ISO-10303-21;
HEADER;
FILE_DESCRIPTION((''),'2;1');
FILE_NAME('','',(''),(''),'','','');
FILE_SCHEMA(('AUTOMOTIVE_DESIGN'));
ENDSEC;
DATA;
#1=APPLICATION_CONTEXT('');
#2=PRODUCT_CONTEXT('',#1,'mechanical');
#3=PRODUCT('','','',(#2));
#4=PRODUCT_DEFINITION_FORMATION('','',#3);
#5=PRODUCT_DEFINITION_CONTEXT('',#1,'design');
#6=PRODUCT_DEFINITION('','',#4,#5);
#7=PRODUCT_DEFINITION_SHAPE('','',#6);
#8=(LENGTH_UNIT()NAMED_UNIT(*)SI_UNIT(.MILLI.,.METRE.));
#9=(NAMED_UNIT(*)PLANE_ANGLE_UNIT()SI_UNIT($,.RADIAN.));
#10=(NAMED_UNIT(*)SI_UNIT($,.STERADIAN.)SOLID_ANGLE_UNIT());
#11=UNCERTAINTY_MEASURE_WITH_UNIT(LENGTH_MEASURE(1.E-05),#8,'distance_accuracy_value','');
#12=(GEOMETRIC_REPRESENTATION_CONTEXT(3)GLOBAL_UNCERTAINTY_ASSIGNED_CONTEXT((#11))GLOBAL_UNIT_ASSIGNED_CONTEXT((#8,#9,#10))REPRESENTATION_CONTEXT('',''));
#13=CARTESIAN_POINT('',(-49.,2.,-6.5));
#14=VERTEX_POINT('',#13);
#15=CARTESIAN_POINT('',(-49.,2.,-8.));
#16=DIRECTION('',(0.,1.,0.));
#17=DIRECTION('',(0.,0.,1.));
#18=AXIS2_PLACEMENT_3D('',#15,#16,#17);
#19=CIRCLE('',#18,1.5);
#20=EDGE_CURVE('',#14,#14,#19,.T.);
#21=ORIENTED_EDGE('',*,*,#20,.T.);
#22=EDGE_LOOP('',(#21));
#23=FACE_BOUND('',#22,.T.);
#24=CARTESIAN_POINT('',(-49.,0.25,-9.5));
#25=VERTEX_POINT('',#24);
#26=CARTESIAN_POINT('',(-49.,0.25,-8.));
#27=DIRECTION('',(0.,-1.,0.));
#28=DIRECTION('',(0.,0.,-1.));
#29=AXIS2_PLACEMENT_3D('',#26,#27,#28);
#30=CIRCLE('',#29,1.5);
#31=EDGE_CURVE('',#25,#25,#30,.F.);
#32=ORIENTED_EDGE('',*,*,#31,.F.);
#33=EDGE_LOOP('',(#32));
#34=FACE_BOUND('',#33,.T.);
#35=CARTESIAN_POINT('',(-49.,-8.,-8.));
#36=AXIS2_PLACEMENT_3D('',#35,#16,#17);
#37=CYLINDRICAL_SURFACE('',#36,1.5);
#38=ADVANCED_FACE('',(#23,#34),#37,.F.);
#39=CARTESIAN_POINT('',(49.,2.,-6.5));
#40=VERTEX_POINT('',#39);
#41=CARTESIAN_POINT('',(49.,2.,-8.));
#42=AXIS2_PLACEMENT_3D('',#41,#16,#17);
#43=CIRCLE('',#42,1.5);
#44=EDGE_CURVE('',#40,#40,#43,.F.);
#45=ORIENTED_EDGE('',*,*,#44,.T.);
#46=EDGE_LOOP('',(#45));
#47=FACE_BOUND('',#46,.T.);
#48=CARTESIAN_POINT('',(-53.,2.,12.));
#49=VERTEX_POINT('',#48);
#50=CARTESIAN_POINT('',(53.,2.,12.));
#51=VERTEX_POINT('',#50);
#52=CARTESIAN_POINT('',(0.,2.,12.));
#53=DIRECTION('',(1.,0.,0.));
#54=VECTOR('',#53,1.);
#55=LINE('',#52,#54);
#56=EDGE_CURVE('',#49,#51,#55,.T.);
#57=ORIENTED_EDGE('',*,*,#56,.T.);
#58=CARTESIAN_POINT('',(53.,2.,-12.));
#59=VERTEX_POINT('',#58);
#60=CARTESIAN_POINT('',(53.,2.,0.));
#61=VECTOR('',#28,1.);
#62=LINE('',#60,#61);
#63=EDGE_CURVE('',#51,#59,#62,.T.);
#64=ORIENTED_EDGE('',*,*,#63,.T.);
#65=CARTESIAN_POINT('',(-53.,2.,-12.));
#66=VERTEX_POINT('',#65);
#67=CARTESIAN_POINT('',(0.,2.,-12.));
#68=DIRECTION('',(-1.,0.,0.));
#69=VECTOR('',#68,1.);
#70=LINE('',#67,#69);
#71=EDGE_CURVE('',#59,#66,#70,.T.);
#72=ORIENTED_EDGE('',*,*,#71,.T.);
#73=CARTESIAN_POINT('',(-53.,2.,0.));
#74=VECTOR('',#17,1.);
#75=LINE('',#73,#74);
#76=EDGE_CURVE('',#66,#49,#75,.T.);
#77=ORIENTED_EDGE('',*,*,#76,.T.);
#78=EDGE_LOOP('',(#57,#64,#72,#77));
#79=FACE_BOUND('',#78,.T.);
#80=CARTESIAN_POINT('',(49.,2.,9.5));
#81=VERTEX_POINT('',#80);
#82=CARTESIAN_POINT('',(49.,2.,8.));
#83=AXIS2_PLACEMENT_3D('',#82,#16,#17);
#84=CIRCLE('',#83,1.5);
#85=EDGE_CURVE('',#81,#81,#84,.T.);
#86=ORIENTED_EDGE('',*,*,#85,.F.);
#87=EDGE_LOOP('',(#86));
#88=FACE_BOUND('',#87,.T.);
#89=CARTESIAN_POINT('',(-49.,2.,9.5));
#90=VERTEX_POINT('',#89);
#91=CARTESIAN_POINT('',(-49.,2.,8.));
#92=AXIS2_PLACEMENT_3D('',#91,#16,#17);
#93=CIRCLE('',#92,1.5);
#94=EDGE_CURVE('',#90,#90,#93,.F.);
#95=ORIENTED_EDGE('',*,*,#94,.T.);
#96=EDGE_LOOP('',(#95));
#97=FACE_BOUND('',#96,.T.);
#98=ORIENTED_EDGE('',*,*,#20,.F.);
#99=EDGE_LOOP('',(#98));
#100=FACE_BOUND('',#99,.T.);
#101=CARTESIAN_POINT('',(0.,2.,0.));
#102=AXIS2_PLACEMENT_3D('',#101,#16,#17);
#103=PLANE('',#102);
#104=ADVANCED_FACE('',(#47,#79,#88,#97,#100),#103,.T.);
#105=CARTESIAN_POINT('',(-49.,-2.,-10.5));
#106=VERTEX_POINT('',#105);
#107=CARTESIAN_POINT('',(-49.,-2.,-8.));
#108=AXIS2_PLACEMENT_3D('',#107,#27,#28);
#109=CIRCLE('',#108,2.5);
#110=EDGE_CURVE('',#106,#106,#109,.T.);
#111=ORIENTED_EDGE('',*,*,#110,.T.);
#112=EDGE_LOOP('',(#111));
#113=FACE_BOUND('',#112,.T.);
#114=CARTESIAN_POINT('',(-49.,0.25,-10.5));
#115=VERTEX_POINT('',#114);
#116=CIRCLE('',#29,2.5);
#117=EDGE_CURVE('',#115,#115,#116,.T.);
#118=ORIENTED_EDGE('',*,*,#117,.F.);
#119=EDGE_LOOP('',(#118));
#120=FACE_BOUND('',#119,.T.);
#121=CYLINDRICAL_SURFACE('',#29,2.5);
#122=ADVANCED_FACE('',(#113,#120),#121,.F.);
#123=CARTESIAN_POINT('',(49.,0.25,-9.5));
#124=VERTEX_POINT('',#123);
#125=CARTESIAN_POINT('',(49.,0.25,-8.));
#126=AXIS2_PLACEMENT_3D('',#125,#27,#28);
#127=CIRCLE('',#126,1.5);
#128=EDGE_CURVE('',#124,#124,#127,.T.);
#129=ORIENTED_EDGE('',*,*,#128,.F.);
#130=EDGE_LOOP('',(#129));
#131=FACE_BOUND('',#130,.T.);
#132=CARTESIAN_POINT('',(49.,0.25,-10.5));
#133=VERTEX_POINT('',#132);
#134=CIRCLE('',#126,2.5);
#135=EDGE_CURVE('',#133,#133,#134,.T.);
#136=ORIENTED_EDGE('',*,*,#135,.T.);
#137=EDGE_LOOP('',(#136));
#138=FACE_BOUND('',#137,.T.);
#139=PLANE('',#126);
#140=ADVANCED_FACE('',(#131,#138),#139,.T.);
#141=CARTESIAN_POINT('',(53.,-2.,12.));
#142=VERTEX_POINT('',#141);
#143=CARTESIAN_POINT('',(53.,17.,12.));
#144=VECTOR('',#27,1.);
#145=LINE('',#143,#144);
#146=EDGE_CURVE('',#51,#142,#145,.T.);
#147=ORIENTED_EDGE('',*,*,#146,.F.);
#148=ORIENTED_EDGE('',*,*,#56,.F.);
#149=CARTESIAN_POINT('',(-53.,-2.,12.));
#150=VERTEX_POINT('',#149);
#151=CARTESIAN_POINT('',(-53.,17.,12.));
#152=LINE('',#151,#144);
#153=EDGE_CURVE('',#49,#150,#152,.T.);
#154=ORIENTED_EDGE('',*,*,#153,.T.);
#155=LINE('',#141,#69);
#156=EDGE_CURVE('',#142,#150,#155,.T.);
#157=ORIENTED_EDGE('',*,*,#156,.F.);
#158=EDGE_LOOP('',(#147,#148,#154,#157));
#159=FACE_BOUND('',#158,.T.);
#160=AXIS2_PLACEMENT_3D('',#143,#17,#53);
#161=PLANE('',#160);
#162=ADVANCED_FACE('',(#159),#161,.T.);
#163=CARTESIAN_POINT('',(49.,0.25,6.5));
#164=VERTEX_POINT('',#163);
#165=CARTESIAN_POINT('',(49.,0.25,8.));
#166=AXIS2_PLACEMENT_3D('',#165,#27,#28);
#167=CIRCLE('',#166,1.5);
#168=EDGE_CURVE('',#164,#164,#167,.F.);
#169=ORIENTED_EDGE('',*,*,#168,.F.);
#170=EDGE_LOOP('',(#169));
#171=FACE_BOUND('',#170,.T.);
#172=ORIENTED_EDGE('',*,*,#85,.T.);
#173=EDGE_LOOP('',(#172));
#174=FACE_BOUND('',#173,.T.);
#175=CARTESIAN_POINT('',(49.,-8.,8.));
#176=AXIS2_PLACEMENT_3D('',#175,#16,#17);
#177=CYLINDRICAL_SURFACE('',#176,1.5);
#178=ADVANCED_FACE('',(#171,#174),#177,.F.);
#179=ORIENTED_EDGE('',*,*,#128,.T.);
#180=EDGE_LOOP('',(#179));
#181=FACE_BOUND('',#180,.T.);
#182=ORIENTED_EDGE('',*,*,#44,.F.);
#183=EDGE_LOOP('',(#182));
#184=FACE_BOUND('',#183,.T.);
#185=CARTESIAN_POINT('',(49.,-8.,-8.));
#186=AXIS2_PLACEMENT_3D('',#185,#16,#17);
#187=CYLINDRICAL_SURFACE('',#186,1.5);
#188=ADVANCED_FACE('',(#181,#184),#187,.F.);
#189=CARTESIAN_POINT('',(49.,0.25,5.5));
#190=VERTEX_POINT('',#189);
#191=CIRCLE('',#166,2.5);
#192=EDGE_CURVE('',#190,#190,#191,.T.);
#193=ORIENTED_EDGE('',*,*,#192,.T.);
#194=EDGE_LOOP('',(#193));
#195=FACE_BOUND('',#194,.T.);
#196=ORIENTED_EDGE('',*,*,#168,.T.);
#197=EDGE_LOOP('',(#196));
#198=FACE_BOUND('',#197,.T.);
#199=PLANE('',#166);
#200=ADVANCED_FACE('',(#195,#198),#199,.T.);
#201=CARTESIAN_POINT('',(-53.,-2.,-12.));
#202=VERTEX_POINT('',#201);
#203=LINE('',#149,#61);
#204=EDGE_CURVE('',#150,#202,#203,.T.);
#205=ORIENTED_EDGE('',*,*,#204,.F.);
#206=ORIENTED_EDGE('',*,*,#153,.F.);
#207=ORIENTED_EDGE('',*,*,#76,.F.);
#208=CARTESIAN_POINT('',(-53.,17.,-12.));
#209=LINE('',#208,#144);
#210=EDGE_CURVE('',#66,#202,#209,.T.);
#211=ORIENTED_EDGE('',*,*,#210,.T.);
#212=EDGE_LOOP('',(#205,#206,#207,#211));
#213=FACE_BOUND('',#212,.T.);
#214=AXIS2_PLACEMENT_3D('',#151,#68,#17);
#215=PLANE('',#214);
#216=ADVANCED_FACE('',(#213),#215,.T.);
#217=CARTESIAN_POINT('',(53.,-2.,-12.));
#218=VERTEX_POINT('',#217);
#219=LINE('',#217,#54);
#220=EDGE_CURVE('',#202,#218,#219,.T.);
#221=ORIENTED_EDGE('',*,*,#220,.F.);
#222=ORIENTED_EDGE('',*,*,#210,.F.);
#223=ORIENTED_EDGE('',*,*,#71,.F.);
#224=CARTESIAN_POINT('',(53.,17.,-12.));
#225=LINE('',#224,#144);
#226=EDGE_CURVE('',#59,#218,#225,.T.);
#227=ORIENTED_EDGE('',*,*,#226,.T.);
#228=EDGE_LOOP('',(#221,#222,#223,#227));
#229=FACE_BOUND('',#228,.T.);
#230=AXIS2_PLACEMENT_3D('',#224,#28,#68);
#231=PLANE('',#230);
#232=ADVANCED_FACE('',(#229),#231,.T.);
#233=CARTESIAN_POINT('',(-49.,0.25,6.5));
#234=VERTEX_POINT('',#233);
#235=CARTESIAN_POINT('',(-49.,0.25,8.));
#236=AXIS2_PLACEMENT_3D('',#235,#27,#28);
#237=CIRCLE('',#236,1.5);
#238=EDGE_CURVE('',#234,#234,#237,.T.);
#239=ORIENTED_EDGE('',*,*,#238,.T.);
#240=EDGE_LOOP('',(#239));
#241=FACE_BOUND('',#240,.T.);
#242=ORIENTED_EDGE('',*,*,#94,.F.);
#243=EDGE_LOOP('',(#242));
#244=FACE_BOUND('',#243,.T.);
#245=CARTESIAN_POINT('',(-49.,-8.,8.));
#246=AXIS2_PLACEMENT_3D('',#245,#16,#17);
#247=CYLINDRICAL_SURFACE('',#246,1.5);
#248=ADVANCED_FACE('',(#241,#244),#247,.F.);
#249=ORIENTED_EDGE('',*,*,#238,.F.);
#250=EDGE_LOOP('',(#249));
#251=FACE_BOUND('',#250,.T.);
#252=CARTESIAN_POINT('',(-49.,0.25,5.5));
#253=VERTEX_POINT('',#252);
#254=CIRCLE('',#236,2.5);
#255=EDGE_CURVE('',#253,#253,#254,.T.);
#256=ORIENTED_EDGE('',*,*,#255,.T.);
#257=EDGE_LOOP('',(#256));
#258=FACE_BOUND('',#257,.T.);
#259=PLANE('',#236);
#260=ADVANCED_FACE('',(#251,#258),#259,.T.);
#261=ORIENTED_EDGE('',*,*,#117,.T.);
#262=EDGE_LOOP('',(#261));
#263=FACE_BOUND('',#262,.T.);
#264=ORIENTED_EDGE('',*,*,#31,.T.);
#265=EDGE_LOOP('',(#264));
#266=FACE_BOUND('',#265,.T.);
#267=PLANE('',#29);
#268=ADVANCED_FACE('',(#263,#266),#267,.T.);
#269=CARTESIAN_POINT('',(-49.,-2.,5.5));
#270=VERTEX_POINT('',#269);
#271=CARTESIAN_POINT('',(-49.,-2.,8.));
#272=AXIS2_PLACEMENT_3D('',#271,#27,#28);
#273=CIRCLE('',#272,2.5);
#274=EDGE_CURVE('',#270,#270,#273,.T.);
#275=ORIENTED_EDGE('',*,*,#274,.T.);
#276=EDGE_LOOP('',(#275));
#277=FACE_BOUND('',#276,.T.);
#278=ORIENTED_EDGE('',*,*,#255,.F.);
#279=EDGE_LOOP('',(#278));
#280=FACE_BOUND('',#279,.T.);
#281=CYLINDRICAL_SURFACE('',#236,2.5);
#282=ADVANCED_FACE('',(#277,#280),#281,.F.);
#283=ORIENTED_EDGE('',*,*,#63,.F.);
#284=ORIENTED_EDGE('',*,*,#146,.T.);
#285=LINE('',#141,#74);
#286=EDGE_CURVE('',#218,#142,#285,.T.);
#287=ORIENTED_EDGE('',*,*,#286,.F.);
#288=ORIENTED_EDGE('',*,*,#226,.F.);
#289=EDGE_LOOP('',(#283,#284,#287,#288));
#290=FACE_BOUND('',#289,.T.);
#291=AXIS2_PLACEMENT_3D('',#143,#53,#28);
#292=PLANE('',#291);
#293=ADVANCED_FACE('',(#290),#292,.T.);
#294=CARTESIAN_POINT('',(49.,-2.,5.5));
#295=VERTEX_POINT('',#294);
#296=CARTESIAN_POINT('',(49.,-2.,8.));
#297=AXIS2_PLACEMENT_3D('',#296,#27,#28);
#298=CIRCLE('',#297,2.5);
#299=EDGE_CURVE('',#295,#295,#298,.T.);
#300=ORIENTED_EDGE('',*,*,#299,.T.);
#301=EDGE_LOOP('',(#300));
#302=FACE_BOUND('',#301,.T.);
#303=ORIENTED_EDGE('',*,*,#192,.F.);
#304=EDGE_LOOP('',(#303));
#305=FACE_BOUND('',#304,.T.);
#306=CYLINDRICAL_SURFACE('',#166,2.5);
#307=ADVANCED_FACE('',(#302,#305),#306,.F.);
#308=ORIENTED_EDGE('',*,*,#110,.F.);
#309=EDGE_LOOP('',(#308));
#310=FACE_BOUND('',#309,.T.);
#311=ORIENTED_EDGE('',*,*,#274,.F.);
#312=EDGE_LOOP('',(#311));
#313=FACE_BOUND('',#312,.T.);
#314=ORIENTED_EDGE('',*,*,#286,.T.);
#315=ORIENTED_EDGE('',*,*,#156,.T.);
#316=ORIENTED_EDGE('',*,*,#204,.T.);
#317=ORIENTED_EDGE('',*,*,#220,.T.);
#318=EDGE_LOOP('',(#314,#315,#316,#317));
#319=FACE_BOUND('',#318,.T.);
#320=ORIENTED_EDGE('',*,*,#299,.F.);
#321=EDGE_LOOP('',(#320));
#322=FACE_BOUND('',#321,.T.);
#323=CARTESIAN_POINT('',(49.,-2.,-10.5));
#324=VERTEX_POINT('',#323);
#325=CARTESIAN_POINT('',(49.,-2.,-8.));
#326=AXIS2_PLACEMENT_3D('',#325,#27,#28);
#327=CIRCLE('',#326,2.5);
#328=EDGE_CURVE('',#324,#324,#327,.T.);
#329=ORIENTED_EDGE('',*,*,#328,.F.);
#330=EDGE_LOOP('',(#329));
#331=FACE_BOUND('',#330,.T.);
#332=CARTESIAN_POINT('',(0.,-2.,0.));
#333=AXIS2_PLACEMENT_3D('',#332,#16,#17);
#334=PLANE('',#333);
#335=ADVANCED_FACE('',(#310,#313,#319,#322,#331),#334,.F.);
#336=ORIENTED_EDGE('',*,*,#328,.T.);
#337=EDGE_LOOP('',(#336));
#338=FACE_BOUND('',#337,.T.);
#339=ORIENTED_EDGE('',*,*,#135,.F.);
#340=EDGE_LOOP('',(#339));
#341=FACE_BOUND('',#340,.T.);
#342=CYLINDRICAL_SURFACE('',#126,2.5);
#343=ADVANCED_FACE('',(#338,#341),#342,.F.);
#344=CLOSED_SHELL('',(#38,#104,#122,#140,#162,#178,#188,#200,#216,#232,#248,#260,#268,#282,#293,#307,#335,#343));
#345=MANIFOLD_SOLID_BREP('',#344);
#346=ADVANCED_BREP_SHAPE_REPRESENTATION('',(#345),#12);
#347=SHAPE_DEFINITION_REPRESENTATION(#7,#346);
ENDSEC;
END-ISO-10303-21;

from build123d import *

# Parameters (mm, degrees)
CROQUIS1_W              = 108
CROQUIS1_H              = 26
SALIENTE_EXTRUIR2_DEPTH = 2
CROQUIS3_R              = 1.5
CORTAR_EXTRUIR3_DEPTH   = 10
CROQUIS5_W              = 108
CROQUIS5_H              = 26
CROQUIS5_R              = 1.5
SALIENTE_EXTRUIR4_DEPTH = 2
CROQUIS6_R              = 2.5
CORTAR_EXTRUIR4_DEPTH   = 2.25
CROQUIS7_W              = 108
CROQUIS7_H              = 26
CROQUIS7_W_2            = 106
CROQUIS7_H_2            = 24
CORTAR_EXTRUIR5_DEPTH   = 19


with BuildPart() as part:
    # Croquis1 → Saliente-Extruir2 (new body)
    with BuildSketch(Plane(origin=(0, 0, 0), x_dir=(1, 0, 0), z_dir=(0, 1, 0))):
        Rectangle(CROQUIS1_W, CROQUIS1_H)
    extrude(amount=SALIENTE_EXTRUIR2_DEPTH)

    # Croquis3 → Cortar-Extruir3 (cut)
    with BuildSketch(Plane(origin=(0, 2, 0), x_dir=(1, 0, 0), z_dir=(0, 1, 0))):
        with Locations(Location((-49, 8, 0), (0, 0, 270))):
            Circle(CROQUIS3_R)
        with Locations(Location((-49, -8, 0), (0, 0, 270))):
            Circle(CROQUIS3_R)
        with Locations(Location((49, -8, 0), (0, 0, 270))):
            Circle(CROQUIS3_R)
        with Locations(Location((49, 8, 0), (0, 0, 270))):
            Circle(CROQUIS3_R)
    extrude(amount=-CORTAR_EXTRUIR3_DEPTH, mode=Mode.SUBTRACT)

    # Croquis5 → Saliente-Extruir4 (add)
    with BuildSketch(Plane.XZ):
        Rectangle(CROQUIS5_W, CROQUIS5_H)
        with Locations(Location((-49, -8, 0), (0, 0, 90))):
            Circle(CROQUIS5_R, mode=Mode.SUBTRACT)
        with Locations(Location((-49, 8, 0), (0, 0, 90))):
            Circle(CROQUIS5_R, mode=Mode.SUBTRACT)
        with Locations(Location((49, 8, 0), (0, 0, 90))):
            Circle(CROQUIS5_R, mode=Mode.SUBTRACT)
        with Locations(Location((49, -8, 0), (0, 0, 90))):
            Circle(CROQUIS5_R, mode=Mode.SUBTRACT)
    extrude(amount=SALIENTE_EXTRUIR4_DEPTH)

    # Croquis6 → Cortar-Extruir4 (cut)
    with BuildSketch(Plane.XZ.offset(2)):
        with Locations(Location((-49, -8, 0), (0, 0, 270))):
            Circle(CROQUIS6_R)
        with Locations(Location((-49, 8, 0), (0, 0, 270))):
            Circle(CROQUIS6_R)
        with Locations(Location((49, -8, 0), (0, 0, 270))):
            Circle(CROQUIS6_R)
        with Locations(Location((49, 8, 0), (0, 0, 270))):
            Circle(CROQUIS6_R)
    extrude(amount=-CORTAR_EXTRUIR4_DEPTH, mode=Mode.SUBTRACT)

    # Croquis7 → Cortar-Extruir5 (cut)
    with BuildSketch(Plane.XZ.offset(2)):
        Rectangle(CROQUIS7_W, CROQUIS7_H)
        Rectangle(CROQUIS7_W_2, CROQUIS7_H_2, mode=Mode.SUBTRACT)
    extrude(amount=-CORTAR_EXTRUIR5_DEPTH, mode=Mode.SUBTRACT)


solid = part.part
